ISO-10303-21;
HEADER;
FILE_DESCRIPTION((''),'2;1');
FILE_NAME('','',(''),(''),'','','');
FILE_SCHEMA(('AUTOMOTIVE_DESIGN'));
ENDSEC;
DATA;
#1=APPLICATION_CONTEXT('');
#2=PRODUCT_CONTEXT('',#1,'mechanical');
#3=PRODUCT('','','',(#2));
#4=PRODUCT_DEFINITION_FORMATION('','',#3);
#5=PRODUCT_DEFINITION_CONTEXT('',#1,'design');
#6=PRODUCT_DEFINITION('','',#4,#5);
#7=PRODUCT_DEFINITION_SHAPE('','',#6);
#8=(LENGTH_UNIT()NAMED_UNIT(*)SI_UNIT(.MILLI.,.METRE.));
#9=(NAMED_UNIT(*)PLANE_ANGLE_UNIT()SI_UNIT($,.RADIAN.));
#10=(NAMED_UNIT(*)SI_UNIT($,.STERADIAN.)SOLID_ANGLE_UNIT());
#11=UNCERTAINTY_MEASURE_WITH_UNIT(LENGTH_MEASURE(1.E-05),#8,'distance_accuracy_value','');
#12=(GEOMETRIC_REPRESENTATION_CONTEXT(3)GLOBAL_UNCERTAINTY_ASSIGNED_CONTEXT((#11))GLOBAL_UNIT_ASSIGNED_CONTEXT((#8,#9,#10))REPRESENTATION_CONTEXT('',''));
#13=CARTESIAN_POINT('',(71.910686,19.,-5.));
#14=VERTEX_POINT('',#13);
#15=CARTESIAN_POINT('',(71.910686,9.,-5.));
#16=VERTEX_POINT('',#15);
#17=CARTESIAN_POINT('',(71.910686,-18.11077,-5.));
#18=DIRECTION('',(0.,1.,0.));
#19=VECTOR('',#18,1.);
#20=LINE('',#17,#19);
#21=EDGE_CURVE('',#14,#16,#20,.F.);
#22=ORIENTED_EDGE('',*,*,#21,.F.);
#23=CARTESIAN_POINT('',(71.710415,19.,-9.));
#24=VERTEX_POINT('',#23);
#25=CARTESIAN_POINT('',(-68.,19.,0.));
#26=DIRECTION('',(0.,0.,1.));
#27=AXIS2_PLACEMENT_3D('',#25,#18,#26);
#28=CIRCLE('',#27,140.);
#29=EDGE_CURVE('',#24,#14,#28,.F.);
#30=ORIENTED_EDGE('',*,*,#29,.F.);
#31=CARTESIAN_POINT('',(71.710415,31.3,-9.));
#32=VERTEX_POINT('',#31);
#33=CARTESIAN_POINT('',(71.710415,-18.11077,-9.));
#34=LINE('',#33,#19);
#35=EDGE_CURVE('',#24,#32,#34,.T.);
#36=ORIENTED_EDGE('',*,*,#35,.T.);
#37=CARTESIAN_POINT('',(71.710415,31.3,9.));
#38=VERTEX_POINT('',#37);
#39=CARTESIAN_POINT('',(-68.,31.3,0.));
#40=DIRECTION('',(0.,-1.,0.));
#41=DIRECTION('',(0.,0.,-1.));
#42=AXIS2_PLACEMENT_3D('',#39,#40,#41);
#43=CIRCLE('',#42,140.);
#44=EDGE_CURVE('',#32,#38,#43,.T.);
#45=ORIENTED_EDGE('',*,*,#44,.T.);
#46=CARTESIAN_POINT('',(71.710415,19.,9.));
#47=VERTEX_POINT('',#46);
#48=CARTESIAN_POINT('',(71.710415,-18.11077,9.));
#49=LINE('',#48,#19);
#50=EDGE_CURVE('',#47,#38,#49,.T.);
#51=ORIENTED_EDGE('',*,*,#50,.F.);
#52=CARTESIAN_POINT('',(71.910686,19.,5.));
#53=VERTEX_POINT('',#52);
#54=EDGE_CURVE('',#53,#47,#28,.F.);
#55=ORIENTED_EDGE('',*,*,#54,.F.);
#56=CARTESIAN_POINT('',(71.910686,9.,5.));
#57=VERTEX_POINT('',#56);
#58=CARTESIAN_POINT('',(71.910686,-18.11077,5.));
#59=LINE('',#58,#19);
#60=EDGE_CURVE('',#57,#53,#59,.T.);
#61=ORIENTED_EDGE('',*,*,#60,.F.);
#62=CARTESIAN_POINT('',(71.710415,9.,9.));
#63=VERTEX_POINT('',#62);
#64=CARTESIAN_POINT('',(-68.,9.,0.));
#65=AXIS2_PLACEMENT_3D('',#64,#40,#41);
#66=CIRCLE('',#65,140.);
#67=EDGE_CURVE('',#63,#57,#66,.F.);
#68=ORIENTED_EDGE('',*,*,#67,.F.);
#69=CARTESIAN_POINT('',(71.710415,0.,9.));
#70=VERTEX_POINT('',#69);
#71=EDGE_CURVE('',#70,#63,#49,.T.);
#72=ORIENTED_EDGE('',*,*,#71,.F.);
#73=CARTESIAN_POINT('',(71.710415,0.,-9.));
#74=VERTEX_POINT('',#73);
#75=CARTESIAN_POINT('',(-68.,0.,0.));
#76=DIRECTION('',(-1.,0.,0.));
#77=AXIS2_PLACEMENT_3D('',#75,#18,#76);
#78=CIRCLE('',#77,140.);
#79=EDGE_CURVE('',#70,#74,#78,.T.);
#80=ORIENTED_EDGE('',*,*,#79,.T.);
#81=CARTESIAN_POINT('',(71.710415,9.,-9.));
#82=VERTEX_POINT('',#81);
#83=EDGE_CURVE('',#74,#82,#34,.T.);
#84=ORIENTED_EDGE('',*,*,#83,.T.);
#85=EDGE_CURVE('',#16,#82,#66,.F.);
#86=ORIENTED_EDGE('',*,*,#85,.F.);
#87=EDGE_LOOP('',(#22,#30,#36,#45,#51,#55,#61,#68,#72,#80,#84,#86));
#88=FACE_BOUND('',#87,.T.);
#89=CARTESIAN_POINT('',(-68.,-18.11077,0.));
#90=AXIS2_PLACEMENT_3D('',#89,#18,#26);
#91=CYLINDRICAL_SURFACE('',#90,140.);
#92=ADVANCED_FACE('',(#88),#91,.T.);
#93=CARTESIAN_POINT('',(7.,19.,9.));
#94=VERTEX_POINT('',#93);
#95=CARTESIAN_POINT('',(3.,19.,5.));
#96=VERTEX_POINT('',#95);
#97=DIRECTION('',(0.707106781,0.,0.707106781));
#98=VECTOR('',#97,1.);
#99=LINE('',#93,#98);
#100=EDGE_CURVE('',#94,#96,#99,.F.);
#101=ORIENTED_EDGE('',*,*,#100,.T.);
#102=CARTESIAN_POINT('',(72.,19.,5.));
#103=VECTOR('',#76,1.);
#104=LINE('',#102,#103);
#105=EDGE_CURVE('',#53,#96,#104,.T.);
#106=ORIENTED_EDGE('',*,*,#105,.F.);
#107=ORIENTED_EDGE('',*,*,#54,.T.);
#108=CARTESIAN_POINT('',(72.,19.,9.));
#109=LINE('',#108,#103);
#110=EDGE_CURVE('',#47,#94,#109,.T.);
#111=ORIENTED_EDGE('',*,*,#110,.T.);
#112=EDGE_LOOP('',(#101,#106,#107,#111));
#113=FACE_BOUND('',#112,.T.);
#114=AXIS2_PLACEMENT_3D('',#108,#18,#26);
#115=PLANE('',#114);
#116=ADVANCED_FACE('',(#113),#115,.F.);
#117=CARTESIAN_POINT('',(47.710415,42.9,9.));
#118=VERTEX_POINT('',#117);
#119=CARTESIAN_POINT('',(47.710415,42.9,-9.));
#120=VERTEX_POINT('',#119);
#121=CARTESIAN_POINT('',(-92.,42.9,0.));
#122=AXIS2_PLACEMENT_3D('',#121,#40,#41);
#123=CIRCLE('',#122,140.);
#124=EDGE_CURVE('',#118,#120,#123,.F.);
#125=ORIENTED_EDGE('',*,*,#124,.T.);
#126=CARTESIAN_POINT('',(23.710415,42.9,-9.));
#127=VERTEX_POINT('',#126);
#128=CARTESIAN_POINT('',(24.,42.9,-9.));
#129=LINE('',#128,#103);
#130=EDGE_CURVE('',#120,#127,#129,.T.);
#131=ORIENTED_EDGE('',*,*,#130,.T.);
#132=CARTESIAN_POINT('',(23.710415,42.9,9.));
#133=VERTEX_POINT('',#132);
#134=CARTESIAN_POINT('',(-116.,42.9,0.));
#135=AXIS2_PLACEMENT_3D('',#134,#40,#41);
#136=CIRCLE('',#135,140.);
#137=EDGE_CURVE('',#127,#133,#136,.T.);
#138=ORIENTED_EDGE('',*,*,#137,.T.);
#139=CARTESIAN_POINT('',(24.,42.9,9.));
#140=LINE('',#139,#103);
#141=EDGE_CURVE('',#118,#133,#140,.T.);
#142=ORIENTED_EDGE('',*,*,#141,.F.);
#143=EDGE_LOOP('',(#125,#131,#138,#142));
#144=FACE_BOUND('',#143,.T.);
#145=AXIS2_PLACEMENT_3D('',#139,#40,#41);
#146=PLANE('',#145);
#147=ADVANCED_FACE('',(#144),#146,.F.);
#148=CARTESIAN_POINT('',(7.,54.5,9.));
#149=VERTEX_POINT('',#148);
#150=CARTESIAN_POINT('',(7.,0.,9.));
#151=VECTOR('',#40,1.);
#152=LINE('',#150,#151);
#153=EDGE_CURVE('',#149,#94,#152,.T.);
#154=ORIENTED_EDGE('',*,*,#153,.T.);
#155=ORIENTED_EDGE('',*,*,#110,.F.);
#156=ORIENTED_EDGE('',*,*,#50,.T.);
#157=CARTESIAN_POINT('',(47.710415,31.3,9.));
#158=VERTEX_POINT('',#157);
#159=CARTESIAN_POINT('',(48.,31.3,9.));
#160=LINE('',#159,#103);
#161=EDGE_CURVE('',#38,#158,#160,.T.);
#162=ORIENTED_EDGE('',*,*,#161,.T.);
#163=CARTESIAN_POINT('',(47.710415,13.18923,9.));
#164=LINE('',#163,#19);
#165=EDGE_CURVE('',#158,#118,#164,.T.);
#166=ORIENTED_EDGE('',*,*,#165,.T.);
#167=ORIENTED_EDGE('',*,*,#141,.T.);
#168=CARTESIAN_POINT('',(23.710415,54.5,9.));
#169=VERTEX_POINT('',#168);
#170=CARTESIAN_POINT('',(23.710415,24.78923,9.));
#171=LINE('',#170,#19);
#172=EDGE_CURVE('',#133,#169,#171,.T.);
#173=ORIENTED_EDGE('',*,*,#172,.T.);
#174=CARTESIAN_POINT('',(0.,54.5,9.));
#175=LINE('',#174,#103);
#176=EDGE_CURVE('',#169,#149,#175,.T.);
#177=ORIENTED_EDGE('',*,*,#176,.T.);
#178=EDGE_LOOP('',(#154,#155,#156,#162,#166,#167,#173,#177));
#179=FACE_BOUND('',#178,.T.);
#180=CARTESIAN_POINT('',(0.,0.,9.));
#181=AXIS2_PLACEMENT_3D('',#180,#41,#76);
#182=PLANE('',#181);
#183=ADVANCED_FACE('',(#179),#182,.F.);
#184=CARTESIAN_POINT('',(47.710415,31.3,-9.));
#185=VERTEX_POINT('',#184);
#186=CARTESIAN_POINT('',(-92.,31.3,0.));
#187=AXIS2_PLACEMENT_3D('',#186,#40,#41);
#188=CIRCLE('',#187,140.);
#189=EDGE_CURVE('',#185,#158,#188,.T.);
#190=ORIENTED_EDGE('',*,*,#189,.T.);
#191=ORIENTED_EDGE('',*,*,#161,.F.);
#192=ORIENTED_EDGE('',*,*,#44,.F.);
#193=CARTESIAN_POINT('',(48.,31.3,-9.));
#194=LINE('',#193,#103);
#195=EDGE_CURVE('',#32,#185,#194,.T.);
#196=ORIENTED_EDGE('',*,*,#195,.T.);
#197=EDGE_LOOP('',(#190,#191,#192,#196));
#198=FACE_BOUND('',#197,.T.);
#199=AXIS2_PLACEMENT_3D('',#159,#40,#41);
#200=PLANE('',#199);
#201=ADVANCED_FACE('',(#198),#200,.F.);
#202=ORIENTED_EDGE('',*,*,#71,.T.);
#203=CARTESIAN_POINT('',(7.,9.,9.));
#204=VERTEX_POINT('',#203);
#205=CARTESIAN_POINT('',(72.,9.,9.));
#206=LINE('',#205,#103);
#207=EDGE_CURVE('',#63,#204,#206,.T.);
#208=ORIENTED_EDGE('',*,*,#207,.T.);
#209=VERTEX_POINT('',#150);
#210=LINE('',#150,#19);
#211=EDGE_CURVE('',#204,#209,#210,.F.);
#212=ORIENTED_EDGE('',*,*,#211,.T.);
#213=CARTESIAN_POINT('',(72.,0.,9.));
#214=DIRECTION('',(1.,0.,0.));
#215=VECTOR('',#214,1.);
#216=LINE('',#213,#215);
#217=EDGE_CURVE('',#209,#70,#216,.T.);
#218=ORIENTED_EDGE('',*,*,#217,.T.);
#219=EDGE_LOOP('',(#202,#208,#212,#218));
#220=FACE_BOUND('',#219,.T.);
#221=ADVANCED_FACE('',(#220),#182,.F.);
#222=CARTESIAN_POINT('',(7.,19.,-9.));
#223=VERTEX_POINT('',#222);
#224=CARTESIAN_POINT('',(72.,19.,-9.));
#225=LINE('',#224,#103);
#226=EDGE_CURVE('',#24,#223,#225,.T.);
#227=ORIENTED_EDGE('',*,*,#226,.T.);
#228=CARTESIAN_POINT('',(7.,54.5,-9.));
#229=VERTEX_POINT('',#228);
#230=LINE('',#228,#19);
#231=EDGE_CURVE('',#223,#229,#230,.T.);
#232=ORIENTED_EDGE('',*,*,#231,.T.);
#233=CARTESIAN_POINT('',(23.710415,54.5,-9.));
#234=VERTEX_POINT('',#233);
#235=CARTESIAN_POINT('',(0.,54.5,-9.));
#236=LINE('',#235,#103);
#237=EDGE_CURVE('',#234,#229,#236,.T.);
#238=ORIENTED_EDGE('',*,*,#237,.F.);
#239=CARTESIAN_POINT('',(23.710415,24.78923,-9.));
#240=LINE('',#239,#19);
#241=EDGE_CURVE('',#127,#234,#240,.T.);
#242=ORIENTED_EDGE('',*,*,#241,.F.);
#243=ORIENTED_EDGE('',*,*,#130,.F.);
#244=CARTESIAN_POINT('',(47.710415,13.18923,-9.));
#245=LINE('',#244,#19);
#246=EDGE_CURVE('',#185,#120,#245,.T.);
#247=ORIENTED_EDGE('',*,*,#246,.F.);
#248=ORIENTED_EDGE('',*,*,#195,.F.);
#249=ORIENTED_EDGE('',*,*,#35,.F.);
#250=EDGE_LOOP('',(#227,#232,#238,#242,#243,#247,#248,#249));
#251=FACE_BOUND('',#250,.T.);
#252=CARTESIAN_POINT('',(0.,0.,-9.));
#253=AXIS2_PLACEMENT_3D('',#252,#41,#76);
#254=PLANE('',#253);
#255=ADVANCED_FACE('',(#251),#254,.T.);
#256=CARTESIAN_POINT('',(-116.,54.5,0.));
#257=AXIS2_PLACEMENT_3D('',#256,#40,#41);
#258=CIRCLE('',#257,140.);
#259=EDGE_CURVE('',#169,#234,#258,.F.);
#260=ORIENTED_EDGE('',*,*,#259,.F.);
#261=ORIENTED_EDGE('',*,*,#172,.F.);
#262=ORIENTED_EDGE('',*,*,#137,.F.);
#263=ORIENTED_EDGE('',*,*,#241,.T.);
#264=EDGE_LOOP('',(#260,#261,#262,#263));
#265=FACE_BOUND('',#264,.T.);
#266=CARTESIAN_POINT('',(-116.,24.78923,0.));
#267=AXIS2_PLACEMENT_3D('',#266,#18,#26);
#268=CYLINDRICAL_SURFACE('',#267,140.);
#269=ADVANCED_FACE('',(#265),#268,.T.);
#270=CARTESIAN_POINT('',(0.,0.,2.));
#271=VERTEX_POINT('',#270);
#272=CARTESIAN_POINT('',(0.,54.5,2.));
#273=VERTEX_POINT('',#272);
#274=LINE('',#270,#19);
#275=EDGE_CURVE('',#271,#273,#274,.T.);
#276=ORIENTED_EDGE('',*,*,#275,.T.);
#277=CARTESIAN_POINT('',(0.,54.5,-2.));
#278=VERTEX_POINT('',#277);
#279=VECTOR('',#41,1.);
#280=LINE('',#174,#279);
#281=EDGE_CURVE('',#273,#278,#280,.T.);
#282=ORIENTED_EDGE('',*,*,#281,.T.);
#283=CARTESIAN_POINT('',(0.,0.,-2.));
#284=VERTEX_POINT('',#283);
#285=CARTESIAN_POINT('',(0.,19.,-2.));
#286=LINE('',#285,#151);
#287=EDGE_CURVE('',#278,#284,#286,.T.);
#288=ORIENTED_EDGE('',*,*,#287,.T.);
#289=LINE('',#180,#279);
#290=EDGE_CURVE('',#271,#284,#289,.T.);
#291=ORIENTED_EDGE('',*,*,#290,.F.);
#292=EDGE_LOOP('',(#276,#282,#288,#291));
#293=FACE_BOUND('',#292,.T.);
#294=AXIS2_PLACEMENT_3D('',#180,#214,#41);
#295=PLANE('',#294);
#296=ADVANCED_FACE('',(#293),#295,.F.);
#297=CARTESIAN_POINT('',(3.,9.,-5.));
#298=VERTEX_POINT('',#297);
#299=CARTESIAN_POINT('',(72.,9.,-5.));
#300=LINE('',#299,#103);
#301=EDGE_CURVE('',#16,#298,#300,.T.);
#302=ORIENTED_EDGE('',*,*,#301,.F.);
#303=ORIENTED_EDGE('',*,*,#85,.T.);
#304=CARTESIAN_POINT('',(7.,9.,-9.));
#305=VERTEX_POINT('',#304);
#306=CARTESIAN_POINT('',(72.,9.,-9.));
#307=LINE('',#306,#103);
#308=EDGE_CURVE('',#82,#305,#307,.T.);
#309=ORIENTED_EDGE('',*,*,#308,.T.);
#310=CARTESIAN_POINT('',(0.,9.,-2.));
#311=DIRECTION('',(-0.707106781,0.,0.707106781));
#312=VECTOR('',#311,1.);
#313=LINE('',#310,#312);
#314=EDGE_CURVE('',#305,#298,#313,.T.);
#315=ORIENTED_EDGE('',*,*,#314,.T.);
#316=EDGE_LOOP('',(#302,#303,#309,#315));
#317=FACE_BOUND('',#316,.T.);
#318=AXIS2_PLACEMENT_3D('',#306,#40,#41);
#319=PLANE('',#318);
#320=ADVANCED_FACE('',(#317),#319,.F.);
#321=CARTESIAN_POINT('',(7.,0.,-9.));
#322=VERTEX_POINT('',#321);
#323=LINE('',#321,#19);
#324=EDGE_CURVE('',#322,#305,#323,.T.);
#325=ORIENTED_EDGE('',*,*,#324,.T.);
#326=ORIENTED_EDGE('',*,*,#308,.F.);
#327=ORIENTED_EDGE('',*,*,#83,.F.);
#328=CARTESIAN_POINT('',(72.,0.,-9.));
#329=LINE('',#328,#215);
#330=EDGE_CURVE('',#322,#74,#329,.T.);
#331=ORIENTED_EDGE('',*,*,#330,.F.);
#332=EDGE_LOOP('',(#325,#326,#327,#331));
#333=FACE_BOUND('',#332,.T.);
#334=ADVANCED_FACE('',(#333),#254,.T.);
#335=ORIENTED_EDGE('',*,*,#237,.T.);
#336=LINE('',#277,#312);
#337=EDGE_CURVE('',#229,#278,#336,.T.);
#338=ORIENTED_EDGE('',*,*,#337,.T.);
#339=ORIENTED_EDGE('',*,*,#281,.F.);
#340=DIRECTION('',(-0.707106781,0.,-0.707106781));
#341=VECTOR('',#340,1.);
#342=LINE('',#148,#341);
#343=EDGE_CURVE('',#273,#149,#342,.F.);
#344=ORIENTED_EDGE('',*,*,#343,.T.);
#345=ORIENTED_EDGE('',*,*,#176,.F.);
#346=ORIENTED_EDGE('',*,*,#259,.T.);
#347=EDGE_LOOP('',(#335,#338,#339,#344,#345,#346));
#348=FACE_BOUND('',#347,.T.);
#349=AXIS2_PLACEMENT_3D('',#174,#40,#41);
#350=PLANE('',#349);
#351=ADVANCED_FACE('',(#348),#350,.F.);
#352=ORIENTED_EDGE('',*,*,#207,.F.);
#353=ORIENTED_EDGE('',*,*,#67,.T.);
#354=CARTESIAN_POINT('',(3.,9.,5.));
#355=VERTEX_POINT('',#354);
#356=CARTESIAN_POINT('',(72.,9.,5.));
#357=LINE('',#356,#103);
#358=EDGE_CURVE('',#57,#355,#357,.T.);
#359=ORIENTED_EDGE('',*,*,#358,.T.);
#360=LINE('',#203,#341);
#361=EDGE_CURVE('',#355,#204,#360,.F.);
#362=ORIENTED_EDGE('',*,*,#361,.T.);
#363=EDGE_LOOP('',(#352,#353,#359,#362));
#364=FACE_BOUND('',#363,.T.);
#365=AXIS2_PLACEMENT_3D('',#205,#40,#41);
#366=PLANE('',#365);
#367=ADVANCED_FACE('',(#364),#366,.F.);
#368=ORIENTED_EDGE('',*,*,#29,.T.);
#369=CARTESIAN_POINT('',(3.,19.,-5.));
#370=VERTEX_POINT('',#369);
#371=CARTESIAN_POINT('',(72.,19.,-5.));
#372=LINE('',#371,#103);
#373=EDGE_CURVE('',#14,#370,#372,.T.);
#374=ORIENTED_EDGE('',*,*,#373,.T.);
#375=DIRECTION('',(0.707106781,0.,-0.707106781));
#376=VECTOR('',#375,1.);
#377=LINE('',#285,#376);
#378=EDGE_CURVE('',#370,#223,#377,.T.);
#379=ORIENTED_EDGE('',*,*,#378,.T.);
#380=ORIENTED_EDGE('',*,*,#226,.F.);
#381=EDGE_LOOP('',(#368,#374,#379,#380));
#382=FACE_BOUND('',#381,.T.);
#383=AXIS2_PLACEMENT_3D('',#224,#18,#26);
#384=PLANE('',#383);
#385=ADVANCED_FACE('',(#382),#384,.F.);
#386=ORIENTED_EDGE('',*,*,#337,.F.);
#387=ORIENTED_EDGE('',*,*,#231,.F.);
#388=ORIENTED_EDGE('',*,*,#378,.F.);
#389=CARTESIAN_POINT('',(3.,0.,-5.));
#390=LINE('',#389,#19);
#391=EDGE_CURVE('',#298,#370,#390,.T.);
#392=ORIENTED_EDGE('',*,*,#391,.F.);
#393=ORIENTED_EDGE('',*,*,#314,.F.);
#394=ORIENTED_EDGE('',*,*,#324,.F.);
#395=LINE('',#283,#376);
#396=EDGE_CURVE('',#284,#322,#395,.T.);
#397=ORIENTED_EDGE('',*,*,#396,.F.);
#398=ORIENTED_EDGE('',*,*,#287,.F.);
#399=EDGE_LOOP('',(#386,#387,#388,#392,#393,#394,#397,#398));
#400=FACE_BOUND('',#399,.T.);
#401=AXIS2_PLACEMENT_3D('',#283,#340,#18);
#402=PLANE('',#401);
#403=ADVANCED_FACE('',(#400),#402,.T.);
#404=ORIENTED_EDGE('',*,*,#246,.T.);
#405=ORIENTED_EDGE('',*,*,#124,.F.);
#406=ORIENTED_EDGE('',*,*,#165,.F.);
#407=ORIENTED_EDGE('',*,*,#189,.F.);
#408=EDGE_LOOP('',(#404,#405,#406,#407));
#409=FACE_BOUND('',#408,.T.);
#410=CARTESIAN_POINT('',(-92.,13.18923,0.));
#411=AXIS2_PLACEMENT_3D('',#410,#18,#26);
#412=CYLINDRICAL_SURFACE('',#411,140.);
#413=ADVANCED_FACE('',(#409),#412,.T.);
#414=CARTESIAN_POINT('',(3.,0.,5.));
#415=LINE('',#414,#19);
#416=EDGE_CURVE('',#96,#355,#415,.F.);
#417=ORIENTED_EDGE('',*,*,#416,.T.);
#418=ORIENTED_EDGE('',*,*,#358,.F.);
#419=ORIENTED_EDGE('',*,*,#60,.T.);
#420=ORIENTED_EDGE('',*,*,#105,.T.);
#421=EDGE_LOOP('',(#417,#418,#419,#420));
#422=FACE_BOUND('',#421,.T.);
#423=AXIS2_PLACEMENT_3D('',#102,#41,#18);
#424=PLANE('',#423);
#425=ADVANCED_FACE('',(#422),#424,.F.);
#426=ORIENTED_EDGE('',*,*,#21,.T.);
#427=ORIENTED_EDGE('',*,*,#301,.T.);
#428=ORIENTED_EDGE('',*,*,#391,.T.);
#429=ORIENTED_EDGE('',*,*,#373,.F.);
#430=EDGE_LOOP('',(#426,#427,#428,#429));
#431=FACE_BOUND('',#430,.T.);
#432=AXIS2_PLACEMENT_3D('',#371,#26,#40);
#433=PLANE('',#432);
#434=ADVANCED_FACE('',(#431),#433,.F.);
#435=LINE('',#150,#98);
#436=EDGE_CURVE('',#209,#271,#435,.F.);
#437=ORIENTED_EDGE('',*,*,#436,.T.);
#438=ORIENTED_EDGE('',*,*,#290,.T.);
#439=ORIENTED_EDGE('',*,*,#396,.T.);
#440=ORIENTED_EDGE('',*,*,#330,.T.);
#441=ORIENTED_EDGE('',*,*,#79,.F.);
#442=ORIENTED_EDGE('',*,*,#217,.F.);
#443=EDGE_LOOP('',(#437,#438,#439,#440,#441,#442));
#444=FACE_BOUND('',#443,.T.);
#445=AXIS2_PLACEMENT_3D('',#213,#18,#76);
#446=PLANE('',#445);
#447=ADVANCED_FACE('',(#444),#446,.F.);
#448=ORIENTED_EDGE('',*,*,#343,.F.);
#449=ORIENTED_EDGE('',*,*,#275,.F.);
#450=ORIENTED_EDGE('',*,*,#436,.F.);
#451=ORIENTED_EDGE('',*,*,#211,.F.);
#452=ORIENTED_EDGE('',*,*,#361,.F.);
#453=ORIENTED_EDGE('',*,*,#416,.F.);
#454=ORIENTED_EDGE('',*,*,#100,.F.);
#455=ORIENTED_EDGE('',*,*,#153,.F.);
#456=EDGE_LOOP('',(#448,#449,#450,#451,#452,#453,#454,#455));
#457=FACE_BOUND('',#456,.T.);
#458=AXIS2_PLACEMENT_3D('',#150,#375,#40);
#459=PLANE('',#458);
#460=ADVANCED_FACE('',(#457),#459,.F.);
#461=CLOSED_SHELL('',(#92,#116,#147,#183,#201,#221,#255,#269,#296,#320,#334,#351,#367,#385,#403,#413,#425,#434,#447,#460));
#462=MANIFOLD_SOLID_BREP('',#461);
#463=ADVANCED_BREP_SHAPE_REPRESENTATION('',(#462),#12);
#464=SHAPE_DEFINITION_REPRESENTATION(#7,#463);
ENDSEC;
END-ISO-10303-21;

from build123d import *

# Parameters (mm, degrees)
BOSS_EXTRUDE1_DEPTH = 9
SKETCH3_W           = 4
SKETCH3_H           = 10
CUT_EXTRUDE2_DEPTH  = 91.748278221
CUT_EXTRUDE3_START  = 11.6
CUT_EXTRUDE3_DEPTH  = 11.6
CUT_EXTRUDE7_DEPTH  = 11.6
CUT_EXTRUDE8_START  = -11.6
CUT_EXTRUDE8_DEPTH  = 31.3
CHAMFER1_SIZE       = 7


with BuildPart() as part:
    # Sketch1 → Boss-Extrude1 (new, symmetric)
    with BuildSketch(Plane.XY):
        Polygon((0, 0), (0, 54.5), (24, 54.5), (24, 42.9), (48, 42.9), (48, 31.3), (72, 31.3), (72, 0), align=None)
    extrude(amount=BOSS_EXTRUDE1_DEPTH, both=True)

    # Sketch3 → Cut-Extrude2 (cut, through all)
    with BuildSketch(Plane.ZY):
        with Locations((-7, 14)):
            Rectangle(SKETCH3_W, SKETCH3_H)
        with Locations((7, 14)):
            Rectangle(SKETCH3_W, SKETCH3_H)
    extrude(amount=-CUT_EXTRUDE2_DEPTH, mode=Mode.SUBTRACT)

    # Sketch4 → Cut-Extrude3 (cut)
    with BuildSketch(Plane(origin=(0, 42.9, 0), x_dir=(1, 0, 0), z_dir=(0, 1, 0)).offset(CUT_EXTRUDE3_START)):
        with BuildLine():
            Line((49.710414787, -9), (47.710414787, -9))
            ThreePointArc((47.710414787, -9), (48, 0), (47.710414787, 9))
            Line((47.710414787, 9), (49.710414787, 9))
            Line((49.710414787, 9), (49.710414787, -9))
        make_face()
        with BuildLine():
            Line((23.710414787, 9), (25.710414787, 9))
            Line((25.710414787, 9), (25.710414787, -9))
            Line((25.710414787, -9), (23.710414787, -9))
            ThreePointArc((23.710414787, -9), (24, 0), (23.710414787, 9))
        make_face()
        with BuildLine():
            Line((73.710414787, -9), (71.710414787, -9))
            ThreePointArc((71.710414787, -9), (72, 0), (71.710414787, 9))
            Line((71.710414787, 9), (73.710414787, 9))
            Line((73.710414787, 9), (73.710414787, -9))
        make_face()
    extrude(amount=-CUT_EXTRUDE3_DEPTH, mode=Mode.SUBTRACT)

    # Sketch4<3> → Cut-Extrude7 (cut)
    with BuildSketch(Plane(origin=(0, 42.9, 0), x_dir=(1, 0, 0), z_dir=(0, 1, 0))):
        with BuildLine():
            Line((49.710414787, -9), (47.710414787, -9))
            ThreePointArc((47.710414787, -9), (48, 0), (47.710414787, 9))
            Line((47.710414787, 9), (49.710414787, 9))
            Line((49.710414787, 9), (49.710414787, -9))
        make_face()
    extrude(amount=-CUT_EXTRUDE7_DEPTH, mode=Mode.SUBTRACT)

    # Sketch4<4> → Cut-Extrude8 (cut)
    with BuildSketch(Plane(origin=(0, 42.9, 0), x_dir=(1, 0, 0), z_dir=(0, 1, 0)).offset(CUT_EXTRUDE8_START)):
        with BuildLine():
            Line((73.710414787, -9), (71.710414787, -9))
            ThreePointArc((71.710414787, -9), (72, 0), (71.710414787, 9))
            Line((71.710414787, 9), (73.710414787, 9))
            Line((73.710414787, 9), (73.710414787, -9))
        make_face()
    extrude(amount=-CUT_EXTRUDE8_DEPTH, mode=Mode.SUBTRACT)

    # Chamfer1
    chamfer1_edges = [part.edges().sort_by_distance(p)[0] for p in [
        (0, 36.75, -9),
        (0, 36.75, 9),
    ]]
    chamfer(chamfer1_edges, length=CHAMFER1_SIZE)


solid = part.part
